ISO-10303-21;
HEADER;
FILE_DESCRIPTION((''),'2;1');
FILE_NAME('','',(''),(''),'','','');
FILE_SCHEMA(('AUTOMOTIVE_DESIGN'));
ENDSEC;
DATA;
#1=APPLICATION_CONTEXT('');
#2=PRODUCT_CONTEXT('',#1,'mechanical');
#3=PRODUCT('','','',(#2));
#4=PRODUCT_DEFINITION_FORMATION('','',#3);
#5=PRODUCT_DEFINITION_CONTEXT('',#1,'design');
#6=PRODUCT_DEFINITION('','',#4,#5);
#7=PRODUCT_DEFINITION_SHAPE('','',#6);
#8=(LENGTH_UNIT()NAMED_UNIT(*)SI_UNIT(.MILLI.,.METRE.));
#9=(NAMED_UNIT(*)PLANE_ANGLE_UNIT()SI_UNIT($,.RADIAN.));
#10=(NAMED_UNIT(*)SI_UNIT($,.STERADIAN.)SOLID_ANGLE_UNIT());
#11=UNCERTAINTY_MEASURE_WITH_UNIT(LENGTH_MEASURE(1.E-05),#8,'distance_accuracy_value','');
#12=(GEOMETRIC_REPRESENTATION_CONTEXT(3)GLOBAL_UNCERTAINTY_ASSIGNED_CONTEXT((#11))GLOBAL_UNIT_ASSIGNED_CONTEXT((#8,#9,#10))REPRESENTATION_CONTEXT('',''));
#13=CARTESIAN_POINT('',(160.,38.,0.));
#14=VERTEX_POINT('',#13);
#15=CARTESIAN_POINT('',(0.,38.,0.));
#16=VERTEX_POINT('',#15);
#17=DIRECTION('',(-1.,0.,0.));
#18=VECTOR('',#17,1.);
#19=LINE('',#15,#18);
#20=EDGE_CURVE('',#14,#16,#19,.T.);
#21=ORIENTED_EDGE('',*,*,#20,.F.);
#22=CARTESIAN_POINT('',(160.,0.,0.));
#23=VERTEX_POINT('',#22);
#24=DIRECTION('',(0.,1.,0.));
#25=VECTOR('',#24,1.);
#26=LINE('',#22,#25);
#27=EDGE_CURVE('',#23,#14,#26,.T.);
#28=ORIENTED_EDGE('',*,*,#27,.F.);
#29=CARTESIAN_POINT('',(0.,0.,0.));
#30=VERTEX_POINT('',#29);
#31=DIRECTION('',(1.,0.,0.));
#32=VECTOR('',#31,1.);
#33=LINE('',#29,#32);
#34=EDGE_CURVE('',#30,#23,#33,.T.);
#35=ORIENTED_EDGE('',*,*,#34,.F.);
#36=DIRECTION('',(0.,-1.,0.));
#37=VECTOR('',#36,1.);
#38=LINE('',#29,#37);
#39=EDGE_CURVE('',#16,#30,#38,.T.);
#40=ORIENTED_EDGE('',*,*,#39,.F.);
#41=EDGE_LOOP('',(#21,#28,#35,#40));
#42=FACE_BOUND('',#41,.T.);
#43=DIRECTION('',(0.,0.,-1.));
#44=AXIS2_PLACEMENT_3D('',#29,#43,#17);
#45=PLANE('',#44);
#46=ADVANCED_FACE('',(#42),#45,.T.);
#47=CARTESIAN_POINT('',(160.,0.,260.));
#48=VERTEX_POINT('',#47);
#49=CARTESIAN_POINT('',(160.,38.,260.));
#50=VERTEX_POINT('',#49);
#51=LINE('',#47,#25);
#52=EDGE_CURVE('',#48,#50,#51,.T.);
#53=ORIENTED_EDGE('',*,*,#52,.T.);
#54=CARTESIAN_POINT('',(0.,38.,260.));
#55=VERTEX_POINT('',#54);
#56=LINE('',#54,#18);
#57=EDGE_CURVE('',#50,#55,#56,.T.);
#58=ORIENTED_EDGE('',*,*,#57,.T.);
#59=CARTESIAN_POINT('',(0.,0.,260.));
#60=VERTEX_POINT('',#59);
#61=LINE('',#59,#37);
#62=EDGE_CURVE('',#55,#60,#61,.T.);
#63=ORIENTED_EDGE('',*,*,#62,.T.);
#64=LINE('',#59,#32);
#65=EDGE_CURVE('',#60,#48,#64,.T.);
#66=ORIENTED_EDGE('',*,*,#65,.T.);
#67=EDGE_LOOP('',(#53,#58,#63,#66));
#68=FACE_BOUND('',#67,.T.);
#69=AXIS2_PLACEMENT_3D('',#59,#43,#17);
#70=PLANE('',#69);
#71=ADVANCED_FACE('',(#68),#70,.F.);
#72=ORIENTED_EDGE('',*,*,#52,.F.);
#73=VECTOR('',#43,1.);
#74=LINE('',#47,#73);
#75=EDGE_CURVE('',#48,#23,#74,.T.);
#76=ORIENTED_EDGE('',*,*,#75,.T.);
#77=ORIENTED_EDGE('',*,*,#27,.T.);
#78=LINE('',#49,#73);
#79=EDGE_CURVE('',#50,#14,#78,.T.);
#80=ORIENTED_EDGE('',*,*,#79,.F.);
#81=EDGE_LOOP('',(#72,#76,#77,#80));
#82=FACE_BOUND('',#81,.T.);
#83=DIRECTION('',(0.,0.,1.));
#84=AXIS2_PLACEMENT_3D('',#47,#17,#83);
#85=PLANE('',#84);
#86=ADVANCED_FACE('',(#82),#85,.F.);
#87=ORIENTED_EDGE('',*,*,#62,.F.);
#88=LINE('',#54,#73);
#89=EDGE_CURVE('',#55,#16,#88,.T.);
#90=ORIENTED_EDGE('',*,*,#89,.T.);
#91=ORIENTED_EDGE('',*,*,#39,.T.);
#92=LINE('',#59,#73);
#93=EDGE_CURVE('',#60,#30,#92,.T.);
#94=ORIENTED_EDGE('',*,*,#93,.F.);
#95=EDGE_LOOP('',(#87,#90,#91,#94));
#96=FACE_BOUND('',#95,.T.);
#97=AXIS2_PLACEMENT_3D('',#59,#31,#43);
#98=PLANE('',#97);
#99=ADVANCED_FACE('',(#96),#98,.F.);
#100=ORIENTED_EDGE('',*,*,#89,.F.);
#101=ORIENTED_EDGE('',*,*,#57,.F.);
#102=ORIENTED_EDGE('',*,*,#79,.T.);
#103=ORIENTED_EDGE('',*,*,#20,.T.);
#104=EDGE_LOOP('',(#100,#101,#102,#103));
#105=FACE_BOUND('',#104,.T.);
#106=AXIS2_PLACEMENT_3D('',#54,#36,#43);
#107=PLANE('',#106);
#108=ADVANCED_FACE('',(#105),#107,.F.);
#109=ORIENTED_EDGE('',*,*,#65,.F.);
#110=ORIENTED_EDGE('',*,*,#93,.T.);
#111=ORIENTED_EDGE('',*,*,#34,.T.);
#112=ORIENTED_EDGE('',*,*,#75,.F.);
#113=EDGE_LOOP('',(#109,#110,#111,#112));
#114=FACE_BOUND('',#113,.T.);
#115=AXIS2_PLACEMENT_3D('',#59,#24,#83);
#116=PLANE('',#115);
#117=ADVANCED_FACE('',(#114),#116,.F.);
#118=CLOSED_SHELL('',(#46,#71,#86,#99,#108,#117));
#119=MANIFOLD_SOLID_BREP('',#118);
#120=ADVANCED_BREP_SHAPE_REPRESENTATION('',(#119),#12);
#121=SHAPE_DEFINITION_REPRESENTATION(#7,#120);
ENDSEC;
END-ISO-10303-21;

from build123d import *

# Parameters (mm, degrees)
CROQUIS1_W              = 160
CROQUIS1_H              = 38
SALIENTE_EXTRUIR1_DEPTH = 260


with BuildPart() as part:
    # Croquis1 → Saliente-Extruir1 (new body)
    with BuildSketch(Plane.XY):
        with Locations((80, 19)):
            Rectangle(CROQUIS1_W, CROQUIS1_H)
    extrude(amount=SALIENTE_EXTRUIR1_DEPTH)


solid = part.part
